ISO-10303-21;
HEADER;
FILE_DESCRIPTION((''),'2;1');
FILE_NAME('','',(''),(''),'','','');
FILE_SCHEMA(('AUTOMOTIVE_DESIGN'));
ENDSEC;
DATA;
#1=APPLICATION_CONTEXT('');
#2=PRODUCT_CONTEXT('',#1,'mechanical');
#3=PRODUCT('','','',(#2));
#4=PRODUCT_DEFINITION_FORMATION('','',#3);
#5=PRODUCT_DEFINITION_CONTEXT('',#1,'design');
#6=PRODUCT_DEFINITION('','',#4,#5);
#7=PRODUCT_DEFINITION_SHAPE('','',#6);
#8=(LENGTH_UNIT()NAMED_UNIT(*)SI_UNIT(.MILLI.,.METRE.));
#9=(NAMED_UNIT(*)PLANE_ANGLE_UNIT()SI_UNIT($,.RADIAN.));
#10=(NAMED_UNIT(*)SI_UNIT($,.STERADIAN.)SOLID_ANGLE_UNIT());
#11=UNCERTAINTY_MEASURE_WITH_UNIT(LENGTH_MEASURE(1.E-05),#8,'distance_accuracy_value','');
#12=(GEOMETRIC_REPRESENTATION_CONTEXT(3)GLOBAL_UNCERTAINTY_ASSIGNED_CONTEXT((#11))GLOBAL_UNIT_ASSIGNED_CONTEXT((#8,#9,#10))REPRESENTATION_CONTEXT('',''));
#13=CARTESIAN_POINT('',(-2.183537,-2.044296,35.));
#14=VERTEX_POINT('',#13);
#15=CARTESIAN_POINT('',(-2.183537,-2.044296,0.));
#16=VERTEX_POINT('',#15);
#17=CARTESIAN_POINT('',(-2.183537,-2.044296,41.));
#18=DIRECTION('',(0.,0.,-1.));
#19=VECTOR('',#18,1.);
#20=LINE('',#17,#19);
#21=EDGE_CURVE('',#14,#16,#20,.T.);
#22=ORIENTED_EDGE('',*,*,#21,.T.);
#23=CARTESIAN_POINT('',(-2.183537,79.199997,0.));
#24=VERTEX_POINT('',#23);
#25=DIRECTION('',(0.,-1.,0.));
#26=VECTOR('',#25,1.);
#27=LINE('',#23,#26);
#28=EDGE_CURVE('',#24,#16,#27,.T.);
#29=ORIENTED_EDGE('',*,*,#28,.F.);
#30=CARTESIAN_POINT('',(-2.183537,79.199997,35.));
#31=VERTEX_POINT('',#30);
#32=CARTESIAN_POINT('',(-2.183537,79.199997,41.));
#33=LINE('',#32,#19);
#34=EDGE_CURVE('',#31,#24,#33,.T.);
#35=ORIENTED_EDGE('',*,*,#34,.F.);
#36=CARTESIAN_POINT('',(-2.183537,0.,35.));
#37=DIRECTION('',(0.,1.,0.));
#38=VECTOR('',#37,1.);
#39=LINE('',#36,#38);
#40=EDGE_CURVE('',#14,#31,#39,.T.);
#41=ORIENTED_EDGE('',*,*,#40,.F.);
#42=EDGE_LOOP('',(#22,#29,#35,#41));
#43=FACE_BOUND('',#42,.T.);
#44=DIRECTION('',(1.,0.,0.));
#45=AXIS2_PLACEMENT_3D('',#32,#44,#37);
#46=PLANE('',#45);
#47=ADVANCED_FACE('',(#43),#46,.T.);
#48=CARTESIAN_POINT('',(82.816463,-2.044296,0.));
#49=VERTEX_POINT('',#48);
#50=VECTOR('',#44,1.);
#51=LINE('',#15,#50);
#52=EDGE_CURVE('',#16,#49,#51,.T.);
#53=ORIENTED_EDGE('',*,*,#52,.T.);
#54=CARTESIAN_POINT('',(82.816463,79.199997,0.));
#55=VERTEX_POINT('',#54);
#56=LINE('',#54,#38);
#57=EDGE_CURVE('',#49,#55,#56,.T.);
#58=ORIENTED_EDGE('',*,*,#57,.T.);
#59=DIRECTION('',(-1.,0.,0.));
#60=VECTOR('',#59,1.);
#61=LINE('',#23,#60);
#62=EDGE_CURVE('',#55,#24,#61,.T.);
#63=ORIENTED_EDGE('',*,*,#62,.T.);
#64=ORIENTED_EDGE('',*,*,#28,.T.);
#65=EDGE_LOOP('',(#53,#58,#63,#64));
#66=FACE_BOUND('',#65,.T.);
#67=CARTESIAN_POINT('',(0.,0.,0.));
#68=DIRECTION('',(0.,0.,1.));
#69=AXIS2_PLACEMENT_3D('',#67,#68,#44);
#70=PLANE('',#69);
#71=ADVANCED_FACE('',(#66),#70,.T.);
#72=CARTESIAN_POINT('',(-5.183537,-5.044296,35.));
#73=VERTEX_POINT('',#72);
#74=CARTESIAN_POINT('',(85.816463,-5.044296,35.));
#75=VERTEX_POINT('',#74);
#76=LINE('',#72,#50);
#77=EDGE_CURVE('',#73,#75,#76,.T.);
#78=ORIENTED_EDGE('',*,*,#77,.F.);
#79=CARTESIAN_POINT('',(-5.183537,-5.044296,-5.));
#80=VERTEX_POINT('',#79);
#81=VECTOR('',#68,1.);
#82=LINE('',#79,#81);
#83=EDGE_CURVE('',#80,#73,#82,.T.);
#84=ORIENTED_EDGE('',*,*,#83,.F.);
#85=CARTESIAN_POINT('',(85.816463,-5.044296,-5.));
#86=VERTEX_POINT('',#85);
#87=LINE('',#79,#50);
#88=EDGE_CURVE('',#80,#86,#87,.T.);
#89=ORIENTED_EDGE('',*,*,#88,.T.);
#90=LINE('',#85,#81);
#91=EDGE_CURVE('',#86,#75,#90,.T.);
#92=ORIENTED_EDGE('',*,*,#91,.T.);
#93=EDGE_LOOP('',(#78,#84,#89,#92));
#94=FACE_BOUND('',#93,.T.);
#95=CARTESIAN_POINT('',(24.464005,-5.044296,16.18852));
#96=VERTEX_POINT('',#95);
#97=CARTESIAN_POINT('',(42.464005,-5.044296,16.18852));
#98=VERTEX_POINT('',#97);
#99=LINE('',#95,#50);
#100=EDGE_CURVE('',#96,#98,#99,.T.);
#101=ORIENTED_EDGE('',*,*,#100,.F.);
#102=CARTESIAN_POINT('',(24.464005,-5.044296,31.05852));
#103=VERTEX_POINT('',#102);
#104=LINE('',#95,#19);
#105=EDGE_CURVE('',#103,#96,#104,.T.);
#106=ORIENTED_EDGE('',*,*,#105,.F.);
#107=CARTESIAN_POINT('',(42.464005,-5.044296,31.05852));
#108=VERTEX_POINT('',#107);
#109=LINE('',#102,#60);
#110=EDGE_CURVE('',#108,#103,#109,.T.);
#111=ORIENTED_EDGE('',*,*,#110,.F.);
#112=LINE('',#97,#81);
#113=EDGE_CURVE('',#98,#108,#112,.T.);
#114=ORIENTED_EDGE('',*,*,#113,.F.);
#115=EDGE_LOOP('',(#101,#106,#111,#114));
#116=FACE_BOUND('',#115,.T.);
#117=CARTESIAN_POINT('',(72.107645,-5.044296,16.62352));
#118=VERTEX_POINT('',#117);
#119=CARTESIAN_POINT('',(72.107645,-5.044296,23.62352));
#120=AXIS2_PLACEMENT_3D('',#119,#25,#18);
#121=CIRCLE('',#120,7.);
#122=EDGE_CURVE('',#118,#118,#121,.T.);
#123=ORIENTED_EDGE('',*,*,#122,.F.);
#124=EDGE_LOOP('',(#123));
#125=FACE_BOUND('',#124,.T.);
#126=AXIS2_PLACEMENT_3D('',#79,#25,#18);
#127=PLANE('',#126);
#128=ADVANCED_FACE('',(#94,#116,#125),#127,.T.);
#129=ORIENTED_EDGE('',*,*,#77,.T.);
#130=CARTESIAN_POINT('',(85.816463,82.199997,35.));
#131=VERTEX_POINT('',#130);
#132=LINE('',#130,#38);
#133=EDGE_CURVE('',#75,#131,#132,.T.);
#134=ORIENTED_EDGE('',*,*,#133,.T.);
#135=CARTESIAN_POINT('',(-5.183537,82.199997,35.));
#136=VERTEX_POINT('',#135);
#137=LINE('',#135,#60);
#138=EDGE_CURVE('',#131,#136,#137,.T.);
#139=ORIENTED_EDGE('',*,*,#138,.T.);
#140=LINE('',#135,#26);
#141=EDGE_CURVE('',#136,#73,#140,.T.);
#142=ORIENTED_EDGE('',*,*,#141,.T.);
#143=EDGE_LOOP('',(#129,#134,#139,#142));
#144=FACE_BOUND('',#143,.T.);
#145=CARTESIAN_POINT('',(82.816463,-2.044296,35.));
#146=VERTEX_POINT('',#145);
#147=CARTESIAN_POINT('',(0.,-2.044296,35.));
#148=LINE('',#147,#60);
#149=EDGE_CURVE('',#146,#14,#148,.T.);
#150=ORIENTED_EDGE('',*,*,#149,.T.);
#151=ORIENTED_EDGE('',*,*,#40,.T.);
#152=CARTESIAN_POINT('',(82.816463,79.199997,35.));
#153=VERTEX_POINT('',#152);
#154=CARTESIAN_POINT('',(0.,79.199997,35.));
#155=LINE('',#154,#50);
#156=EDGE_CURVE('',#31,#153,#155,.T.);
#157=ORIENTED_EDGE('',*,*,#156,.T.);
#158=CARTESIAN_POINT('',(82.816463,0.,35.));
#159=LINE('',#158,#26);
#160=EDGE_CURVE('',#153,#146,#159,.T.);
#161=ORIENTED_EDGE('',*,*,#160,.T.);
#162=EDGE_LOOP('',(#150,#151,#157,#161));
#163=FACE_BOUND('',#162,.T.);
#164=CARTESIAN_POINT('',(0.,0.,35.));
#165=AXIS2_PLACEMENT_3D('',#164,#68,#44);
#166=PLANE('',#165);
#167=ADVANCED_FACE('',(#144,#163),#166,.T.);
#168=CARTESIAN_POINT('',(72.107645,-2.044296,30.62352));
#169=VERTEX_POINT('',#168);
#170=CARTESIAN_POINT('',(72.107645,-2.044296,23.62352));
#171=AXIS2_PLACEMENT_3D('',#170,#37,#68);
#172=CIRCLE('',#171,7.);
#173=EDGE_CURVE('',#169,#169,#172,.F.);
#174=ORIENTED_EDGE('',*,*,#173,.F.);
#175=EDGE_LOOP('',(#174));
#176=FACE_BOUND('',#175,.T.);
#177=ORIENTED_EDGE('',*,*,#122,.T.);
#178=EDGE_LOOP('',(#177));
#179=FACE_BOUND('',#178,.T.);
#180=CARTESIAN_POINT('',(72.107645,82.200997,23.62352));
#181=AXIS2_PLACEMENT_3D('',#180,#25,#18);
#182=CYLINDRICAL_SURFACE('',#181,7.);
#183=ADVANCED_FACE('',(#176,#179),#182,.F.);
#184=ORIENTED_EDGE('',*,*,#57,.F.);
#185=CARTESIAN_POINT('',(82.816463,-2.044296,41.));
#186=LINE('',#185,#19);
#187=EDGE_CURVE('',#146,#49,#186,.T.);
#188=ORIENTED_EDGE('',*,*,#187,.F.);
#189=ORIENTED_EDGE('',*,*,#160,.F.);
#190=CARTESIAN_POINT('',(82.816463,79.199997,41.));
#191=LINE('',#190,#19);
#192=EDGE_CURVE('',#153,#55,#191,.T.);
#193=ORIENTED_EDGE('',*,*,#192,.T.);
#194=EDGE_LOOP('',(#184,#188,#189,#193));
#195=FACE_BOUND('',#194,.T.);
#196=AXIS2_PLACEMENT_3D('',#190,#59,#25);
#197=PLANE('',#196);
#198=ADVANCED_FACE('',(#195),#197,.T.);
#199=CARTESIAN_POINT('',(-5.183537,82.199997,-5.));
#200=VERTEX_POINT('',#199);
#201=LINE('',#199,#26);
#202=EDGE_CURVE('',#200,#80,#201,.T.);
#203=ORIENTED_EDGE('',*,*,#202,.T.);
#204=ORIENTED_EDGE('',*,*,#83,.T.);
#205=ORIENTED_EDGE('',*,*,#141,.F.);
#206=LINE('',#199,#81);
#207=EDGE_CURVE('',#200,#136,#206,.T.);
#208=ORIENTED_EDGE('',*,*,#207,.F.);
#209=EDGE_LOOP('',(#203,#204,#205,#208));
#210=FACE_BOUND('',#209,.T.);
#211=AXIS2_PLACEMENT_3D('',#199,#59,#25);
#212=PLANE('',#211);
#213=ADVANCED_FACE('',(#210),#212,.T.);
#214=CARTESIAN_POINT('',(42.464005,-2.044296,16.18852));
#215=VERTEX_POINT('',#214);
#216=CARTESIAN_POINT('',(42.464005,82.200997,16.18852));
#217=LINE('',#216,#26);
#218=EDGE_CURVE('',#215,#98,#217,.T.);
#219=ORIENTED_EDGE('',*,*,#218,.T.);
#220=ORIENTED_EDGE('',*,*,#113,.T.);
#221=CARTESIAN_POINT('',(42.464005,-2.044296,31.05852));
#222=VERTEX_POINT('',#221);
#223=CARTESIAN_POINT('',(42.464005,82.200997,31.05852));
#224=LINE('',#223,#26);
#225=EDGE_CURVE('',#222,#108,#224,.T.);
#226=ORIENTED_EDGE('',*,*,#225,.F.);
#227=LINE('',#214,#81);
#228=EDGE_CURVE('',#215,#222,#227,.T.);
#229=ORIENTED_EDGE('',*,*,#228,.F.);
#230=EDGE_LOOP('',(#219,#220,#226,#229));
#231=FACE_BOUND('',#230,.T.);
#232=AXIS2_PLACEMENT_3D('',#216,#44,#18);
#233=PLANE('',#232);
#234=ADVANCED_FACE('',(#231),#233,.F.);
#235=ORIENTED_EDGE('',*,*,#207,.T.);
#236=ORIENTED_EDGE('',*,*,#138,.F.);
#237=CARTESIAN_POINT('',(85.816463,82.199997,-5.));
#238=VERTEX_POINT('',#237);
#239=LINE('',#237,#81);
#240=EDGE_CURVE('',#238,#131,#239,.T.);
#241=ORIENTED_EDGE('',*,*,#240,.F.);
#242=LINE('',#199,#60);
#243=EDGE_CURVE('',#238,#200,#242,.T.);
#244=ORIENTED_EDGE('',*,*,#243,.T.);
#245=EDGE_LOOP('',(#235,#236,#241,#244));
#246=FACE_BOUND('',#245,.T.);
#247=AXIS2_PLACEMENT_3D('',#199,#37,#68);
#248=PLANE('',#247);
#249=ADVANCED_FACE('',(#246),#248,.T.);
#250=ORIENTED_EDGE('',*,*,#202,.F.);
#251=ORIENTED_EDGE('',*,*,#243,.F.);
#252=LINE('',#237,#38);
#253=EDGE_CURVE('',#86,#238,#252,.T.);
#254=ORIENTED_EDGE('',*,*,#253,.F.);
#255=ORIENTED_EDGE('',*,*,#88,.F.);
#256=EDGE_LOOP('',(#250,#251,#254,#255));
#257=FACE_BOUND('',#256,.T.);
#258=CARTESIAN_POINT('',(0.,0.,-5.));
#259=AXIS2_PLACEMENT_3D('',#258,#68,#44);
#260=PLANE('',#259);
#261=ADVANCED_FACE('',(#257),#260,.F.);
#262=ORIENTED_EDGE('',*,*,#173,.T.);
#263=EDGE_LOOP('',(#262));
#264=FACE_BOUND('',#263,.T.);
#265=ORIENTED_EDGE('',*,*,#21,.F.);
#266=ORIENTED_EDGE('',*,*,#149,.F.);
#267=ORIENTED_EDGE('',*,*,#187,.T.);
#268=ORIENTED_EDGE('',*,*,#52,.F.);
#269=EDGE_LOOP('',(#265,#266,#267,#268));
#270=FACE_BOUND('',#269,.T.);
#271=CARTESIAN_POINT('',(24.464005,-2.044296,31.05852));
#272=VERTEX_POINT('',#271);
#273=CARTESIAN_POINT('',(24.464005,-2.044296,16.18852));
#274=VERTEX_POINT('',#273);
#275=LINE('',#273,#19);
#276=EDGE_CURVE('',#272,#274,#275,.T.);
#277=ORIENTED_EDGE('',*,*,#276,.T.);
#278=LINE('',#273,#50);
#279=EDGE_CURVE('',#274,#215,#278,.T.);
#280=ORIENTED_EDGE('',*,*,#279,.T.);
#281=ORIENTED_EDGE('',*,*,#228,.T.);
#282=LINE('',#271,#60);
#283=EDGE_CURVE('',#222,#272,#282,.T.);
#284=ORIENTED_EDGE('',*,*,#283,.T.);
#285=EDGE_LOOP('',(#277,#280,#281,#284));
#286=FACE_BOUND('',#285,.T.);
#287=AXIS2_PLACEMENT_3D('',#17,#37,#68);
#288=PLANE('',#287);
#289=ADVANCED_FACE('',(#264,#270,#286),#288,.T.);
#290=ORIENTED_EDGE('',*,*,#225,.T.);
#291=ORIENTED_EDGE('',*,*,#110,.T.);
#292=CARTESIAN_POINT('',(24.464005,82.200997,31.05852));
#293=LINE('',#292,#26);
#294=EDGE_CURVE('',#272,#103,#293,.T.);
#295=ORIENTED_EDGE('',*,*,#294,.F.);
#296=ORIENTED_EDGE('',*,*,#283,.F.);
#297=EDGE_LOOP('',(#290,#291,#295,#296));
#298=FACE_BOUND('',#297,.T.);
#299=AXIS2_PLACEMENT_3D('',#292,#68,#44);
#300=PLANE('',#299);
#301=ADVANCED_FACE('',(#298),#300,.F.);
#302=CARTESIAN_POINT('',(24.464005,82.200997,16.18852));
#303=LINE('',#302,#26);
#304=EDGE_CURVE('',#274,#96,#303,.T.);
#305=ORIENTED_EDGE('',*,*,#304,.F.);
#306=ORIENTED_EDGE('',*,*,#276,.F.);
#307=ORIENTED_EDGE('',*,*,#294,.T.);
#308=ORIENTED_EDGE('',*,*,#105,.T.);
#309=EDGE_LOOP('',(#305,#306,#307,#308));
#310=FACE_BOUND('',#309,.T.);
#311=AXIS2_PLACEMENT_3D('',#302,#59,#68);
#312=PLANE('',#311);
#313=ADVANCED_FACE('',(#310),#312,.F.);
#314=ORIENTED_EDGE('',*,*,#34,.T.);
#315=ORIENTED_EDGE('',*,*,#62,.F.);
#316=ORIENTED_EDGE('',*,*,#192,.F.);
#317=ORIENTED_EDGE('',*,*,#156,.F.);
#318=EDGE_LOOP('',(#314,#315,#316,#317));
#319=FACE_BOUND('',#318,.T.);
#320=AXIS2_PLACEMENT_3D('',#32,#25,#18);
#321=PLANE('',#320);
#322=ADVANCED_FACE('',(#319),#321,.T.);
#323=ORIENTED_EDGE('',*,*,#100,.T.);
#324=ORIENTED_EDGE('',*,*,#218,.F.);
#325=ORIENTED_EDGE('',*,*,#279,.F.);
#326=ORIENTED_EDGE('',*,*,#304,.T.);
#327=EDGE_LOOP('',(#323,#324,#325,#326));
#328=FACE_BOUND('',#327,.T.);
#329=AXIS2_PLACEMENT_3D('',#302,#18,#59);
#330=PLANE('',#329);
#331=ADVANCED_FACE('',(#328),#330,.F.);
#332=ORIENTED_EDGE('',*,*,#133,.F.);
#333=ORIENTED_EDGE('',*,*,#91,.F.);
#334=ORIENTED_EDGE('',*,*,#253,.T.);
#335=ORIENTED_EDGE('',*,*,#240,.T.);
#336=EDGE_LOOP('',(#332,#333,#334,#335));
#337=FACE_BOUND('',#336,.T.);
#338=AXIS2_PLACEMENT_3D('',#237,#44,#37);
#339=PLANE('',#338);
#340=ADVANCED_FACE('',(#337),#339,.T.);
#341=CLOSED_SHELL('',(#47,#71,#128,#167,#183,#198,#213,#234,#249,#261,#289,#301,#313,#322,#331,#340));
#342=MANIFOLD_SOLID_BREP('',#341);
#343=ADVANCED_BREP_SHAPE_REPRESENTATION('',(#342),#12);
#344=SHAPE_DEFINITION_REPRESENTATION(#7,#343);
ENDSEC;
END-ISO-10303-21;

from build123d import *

# Parameters (mm, degrees)
SKETCH3_W                = 91
SKETCH3_H                = 87.244293111
BOSS_EXTRUDE1_DEPTH      = 35
BOSS_EXTRUDE1_DEPTH_BACK = 5
SKETCH2_W                = 85
SKETCH2_H                = 81.244293111
CUT_EXTRUDE1_DEPTH       = 41
CUT_EXTRUDE2_REACH       = 89.244
SKETCH5_R                = 7
SKETCH5_W                = 18
SKETCH5_H                = 14.87


with BuildPart() as part:
    # Sketch3 → Boss-Extrude1 (new body, two sides)
    with BuildSketch(Plane.XY) as boss_extrude1_sk:
        with Locations((40.316463084, 38.577850393)):
            Rectangle(SKETCH3_W, SKETCH3_H)
    extrude(amount=BOSS_EXTRUDE1_DEPTH)
    extrude(boss_extrude1_sk.sketch, amount=-BOSS_EXTRUDE1_DEPTH_BACK)

    # Sketch2 → Cut-Extrude1 (cut)
    with BuildSketch(Plane.XY):
        with Locations((40.316463084, 38.577850393)):
            Rectangle(SKETCH2_W, SKETCH2_H)
    extrude(amount=CUT_EXTRUDE1_DEPTH, mode=Mode.SUBTRACT)

    # Sketch5 → Cut-Extrude2 (cut, up to next)
    with BuildSketch(Plane.XZ.offset(5.044296163), mode=Mode.PRIVATE) as cut_extrude2_sk1:
        with Locations((72.107645341, 23.62352)):
            Circle(SKETCH5_R)
    cut_extrude2_tool1 = extrude(cut_extrude2_sk1.sketch, amount=-CUT_EXTRUDE2_REACH, mode=Mode.PRIVATE) & part.part
    add(cut_extrude2_tool1.solids().sort_by_distance((72.107645, -5.044296, 23.62352))[0], mode=Mode.SUBTRACT)
    # Sketch5 → Cut-Extrude2 (cut, up to next)
    with BuildSketch(Plane.XZ.offset(5.044296163), mode=Mode.PRIVATE) as cut_extrude2_sk2:
        with Locations((33.464005425, 23.62352)):
            Rectangle(SKETCH5_W, SKETCH5_H)
    cut_extrude2_tool2 = extrude(cut_extrude2_sk2.sketch, amount=-CUT_EXTRUDE2_REACH, mode=Mode.PRIVATE) & part.part
    add(cut_extrude2_tool2.solids().sort_by_distance((33.464005, -5.044296, 23.62352))[0], mode=Mode.SUBTRACT)


solid = part.part
